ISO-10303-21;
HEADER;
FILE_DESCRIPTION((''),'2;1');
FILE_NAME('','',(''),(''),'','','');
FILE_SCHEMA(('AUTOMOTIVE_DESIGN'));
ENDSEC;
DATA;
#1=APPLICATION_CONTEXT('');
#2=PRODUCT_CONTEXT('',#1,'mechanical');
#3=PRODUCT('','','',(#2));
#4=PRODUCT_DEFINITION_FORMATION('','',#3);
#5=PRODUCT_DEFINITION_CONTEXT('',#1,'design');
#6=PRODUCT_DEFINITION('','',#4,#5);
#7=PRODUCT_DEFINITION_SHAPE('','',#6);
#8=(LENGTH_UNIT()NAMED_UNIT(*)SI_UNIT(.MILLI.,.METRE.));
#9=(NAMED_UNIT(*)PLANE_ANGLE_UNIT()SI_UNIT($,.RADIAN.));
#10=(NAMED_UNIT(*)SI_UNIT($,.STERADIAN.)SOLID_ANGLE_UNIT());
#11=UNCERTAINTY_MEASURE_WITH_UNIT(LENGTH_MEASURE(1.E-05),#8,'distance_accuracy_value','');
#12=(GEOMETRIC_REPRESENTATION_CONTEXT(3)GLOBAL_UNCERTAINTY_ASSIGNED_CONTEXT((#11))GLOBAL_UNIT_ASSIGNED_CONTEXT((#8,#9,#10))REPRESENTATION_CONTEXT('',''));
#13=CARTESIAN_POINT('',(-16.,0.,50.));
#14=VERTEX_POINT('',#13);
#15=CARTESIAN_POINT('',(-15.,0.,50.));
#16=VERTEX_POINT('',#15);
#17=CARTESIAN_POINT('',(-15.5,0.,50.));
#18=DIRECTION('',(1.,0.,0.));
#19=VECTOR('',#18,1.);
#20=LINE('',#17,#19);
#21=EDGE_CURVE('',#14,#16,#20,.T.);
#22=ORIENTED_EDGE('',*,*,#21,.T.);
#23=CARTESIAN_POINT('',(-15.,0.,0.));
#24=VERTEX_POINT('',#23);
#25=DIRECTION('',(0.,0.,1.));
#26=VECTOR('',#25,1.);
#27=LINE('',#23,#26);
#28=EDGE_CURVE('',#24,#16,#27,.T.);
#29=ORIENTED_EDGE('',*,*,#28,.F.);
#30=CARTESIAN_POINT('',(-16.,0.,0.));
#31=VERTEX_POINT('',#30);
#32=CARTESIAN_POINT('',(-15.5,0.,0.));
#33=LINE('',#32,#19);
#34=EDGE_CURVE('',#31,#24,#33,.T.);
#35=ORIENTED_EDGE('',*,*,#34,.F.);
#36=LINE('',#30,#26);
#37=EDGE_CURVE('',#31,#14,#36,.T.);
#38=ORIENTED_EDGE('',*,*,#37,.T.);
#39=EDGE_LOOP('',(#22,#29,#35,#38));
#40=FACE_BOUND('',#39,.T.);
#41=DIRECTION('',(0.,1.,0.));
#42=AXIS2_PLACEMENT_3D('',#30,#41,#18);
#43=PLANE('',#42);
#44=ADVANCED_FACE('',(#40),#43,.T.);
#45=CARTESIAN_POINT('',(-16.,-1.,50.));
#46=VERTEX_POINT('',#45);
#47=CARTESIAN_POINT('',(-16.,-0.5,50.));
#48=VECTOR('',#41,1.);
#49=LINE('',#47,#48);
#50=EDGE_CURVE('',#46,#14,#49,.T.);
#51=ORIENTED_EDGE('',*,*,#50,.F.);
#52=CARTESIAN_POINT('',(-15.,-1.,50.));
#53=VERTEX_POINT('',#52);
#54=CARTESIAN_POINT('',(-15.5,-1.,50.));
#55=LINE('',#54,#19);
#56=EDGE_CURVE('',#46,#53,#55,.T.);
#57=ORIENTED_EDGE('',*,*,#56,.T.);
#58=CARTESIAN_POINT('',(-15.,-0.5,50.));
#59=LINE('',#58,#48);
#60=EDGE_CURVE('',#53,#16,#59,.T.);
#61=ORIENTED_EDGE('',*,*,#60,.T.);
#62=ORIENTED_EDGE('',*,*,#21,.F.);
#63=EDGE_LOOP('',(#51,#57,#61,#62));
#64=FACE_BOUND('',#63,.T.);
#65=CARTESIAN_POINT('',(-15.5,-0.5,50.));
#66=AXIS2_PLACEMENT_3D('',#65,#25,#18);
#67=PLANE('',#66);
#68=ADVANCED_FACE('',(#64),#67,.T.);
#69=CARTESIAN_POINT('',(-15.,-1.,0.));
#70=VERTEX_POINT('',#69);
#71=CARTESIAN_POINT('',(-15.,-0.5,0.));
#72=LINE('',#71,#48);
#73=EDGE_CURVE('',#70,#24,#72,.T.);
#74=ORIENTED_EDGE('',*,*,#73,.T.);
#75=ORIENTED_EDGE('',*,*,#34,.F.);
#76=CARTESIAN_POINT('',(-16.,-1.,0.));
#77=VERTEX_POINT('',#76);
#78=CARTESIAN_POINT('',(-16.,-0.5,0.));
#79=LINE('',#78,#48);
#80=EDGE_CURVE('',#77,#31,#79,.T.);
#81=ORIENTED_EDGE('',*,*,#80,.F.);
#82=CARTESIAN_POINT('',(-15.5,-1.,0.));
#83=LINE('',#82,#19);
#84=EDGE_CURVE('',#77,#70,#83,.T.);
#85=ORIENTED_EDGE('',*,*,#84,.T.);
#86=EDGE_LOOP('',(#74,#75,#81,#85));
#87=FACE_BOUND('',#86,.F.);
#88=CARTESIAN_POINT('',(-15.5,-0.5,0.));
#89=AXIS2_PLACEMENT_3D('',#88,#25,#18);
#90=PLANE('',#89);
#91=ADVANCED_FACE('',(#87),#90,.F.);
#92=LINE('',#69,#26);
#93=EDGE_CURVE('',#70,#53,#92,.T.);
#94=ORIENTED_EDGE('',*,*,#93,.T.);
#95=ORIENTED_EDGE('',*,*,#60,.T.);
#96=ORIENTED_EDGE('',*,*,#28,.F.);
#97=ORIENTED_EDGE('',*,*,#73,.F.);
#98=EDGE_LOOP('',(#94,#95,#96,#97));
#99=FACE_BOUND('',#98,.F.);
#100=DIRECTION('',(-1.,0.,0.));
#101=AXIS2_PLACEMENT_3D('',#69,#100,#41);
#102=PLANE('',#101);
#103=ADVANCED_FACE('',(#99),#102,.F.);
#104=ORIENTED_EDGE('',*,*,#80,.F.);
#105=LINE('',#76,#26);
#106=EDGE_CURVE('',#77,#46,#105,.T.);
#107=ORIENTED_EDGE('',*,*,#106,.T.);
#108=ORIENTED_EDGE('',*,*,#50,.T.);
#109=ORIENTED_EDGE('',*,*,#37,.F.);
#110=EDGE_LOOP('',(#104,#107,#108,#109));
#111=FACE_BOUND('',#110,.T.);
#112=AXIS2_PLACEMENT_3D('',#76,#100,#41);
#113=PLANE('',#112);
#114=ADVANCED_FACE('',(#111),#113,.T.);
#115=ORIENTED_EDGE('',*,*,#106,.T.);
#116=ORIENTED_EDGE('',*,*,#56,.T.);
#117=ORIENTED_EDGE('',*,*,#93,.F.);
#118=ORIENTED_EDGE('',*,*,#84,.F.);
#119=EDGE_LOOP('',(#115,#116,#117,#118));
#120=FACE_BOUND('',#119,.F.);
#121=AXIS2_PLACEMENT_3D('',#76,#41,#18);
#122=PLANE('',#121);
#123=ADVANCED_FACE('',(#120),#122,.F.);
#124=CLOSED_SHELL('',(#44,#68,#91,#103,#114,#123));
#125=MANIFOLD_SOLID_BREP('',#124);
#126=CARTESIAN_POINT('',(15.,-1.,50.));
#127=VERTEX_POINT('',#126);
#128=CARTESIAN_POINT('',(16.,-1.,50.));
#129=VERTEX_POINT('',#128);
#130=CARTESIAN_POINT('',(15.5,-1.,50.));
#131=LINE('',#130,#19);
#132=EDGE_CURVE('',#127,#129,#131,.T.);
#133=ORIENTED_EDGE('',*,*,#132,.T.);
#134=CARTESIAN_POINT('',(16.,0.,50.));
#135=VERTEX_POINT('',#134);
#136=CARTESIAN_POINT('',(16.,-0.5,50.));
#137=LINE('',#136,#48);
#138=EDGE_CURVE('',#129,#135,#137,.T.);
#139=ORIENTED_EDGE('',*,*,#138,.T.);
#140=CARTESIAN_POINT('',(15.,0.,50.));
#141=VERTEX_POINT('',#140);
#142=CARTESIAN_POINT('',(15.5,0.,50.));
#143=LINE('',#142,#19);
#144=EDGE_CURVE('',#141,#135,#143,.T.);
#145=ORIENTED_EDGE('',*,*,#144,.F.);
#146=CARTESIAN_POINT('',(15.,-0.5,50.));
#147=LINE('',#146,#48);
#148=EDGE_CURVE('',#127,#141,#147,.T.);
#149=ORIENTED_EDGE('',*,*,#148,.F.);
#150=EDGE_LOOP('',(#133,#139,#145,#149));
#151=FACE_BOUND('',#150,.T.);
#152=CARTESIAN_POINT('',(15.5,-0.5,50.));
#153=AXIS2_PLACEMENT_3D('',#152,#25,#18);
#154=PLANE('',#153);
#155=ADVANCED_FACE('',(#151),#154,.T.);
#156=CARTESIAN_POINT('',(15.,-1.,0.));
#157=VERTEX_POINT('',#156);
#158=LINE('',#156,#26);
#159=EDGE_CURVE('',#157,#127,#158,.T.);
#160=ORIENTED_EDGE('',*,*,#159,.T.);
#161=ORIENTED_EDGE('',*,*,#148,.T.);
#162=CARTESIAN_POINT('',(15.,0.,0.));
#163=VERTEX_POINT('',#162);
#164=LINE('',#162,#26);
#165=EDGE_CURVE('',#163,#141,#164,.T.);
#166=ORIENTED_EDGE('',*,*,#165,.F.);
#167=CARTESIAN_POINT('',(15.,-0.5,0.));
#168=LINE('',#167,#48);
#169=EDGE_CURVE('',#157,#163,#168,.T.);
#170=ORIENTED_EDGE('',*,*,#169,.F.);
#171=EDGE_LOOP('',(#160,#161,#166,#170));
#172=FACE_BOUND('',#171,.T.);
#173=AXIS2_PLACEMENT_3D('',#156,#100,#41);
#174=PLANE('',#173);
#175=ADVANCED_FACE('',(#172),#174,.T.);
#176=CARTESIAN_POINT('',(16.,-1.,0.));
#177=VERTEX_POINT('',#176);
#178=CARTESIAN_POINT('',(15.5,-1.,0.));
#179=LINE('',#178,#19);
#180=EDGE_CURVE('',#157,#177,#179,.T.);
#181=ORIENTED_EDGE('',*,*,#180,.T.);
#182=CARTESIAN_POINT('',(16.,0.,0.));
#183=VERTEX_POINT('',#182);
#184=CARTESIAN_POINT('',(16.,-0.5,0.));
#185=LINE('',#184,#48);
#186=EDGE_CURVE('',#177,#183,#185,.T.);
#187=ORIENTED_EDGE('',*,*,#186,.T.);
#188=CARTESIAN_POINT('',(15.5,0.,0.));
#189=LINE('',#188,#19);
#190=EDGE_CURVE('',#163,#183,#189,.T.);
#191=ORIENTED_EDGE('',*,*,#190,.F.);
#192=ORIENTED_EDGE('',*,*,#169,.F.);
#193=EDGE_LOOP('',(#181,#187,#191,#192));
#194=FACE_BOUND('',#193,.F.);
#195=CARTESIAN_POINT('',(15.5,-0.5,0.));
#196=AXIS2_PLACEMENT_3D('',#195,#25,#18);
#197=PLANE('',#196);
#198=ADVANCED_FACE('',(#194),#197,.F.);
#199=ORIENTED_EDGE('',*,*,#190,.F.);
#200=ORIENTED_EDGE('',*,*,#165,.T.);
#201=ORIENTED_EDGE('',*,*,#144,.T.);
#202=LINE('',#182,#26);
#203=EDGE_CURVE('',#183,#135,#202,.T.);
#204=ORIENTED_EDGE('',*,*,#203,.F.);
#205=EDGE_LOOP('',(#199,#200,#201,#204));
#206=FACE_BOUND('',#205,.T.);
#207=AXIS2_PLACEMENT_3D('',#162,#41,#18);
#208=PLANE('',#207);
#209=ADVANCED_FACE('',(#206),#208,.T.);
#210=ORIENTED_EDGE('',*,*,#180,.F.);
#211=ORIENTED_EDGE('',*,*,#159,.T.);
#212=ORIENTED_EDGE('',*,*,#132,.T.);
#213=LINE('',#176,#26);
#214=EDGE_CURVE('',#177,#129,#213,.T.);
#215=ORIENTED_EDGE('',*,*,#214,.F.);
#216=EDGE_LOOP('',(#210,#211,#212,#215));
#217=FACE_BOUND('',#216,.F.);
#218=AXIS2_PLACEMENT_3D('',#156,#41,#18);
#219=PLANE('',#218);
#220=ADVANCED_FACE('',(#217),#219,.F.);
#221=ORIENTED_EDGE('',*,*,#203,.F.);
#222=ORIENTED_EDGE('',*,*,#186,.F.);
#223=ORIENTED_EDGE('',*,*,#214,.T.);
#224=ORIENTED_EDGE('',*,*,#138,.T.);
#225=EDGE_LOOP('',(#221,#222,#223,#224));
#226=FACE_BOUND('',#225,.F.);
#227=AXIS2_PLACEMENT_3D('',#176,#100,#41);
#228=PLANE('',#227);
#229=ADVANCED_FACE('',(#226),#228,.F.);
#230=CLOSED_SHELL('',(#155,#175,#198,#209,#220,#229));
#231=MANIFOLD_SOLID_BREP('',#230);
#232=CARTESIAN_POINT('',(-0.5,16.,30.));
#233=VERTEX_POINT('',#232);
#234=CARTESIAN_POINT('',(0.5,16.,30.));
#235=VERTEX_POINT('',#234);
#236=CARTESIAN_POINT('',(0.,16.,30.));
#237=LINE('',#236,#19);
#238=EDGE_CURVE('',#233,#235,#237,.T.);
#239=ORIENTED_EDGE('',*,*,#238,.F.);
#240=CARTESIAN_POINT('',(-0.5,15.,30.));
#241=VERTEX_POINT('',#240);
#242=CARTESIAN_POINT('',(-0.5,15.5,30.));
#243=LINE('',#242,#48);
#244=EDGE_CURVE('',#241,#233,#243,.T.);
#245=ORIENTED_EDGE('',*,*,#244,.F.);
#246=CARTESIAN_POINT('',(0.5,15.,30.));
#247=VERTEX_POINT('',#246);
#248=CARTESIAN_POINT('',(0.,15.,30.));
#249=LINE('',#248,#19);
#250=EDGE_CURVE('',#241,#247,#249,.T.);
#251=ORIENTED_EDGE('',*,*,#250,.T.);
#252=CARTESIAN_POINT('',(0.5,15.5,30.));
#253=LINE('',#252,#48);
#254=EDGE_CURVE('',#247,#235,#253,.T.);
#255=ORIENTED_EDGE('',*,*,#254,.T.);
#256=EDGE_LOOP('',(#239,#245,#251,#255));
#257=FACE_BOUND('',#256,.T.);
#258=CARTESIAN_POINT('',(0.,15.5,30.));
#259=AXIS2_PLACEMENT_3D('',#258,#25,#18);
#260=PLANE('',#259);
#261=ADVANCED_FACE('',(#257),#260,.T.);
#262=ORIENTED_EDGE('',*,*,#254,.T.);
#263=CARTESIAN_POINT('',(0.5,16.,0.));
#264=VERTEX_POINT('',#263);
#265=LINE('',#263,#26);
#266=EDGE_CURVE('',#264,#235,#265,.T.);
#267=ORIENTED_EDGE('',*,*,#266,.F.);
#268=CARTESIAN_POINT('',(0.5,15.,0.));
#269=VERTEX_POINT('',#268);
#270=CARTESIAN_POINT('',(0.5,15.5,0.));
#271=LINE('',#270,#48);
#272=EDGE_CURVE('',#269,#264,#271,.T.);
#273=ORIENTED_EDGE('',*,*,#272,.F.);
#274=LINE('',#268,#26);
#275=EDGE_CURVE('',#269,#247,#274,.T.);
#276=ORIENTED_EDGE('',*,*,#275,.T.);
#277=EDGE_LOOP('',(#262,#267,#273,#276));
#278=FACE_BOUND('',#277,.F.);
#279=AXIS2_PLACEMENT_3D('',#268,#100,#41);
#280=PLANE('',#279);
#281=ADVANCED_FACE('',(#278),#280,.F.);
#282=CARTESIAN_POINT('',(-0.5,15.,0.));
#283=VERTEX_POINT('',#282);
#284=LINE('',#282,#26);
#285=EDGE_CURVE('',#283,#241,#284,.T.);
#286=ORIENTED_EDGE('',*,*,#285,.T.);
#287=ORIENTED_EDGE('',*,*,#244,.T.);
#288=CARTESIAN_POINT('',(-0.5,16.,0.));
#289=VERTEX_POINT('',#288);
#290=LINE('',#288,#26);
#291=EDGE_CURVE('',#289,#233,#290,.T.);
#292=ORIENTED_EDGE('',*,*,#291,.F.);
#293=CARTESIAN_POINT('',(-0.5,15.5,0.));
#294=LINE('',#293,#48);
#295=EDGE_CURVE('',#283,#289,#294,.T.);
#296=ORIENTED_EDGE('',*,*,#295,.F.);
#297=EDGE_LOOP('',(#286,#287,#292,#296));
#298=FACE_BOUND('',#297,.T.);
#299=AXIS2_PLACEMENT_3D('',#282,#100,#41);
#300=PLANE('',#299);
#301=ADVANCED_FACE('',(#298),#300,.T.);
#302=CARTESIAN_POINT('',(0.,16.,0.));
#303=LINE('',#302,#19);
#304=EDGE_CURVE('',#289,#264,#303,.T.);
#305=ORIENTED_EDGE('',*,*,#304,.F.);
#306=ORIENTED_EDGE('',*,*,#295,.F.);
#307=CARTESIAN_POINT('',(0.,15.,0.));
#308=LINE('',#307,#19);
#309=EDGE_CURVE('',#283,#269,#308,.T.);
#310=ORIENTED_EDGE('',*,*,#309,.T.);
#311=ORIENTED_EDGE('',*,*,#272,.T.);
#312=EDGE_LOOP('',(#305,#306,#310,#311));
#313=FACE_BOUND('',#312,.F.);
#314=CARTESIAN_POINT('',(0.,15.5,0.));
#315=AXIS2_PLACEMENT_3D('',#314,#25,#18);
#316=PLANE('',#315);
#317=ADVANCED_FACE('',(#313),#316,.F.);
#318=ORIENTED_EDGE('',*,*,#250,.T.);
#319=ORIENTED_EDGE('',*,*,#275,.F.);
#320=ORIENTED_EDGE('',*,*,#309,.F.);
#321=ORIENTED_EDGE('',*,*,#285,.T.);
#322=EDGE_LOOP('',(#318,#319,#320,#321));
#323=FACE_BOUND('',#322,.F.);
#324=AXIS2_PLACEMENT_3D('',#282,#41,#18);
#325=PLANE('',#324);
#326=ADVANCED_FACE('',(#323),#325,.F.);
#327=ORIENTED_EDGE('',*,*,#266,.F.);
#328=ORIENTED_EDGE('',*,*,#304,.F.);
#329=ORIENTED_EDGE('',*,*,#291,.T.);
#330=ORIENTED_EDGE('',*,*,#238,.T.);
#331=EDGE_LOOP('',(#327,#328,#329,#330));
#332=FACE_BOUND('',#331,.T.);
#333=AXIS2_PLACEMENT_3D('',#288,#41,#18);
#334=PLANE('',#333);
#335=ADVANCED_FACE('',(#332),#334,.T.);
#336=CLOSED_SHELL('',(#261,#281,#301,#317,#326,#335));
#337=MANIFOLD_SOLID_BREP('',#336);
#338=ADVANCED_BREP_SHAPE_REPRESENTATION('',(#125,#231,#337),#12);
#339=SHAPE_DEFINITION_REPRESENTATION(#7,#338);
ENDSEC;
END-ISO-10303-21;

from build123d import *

# Parameters (mm, degrees)
F0_W     = 1
F0_H     = 1
F1_DEPTH = 50
F2_DEPTH = 30


with BuildPart() as f1:
    # F0 (on Top) → F1 (new body)
    with BuildSketch(Plane.XY):
        with Locations((15.5, -0.5)):
            Rectangle(F0_W, F0_H)
        with Locations((-15.5, -0.5)):
            Rectangle(F0_W, F0_H)
    extrude(amount=F1_DEPTH)


with BuildPart() as f2:
    # F0 (on Top) → F2 (new body)
    with BuildSketch(Plane.XY):
        with Locations((0, 15.5)):
            Rectangle(F0_W, F0_H)
    extrude(amount=F2_DEPTH)


solid = Compound([f1.part, f2.part])
